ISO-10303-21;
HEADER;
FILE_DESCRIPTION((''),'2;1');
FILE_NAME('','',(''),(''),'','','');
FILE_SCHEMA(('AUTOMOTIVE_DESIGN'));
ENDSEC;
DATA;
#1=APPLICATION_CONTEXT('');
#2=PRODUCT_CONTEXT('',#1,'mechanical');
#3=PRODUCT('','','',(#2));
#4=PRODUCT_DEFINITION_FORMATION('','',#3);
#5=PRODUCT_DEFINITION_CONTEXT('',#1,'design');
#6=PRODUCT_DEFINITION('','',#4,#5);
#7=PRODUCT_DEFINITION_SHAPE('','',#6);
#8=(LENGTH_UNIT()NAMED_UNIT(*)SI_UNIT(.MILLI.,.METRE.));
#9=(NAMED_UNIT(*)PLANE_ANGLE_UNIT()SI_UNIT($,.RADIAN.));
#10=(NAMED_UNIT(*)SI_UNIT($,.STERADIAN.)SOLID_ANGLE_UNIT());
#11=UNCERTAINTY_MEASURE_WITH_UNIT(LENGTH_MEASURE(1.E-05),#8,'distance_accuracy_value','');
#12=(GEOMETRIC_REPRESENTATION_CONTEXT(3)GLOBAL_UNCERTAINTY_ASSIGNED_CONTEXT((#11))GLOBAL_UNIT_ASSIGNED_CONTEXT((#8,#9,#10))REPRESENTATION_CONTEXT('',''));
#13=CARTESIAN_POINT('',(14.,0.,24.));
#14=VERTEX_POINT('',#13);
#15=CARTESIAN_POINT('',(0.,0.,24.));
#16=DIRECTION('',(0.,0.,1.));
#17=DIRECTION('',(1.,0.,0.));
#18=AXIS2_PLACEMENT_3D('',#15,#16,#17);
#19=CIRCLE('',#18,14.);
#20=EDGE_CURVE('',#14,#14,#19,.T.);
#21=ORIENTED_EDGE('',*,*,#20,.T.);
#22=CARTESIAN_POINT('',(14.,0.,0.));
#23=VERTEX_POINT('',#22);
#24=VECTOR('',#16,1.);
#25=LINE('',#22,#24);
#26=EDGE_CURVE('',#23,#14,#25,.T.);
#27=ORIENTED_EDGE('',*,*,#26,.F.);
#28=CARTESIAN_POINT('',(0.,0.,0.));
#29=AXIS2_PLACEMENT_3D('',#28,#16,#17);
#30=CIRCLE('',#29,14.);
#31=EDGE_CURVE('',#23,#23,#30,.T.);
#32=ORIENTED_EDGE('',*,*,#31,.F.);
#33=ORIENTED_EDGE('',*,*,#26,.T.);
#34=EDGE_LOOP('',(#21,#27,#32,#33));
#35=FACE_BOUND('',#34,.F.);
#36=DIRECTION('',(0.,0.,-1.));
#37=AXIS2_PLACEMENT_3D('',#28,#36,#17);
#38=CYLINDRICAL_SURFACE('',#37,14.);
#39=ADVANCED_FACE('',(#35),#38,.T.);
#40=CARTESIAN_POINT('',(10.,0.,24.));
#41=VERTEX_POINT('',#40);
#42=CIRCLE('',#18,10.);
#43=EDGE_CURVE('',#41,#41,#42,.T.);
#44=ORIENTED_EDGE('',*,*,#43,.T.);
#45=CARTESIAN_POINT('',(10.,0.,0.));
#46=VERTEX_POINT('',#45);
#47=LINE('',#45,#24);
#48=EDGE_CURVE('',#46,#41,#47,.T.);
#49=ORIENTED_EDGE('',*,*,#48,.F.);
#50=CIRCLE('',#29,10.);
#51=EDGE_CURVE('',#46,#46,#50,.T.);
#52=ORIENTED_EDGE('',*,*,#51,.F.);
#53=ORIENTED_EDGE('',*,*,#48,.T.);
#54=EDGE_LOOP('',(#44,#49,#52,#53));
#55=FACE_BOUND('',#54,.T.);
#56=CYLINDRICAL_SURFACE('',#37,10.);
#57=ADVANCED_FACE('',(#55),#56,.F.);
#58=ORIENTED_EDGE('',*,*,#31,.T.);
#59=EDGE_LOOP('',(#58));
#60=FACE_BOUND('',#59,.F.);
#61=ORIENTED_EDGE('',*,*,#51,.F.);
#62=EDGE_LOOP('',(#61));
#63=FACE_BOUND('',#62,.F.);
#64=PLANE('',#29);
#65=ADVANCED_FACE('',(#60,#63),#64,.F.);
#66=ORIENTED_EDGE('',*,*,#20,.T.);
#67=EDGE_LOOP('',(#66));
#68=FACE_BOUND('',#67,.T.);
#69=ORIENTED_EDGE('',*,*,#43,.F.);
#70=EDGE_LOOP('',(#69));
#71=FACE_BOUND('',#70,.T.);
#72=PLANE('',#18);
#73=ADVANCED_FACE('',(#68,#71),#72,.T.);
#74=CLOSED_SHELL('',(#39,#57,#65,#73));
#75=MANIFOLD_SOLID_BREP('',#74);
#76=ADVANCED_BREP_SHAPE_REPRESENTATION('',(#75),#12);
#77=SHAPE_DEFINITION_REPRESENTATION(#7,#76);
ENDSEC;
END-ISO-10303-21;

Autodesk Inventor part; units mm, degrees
ref_plane "YZ Plane" through (0, 0, 0) normal (1, 0, 0) x (0, 1, 0)
ref_plane "XZ Plane" through (0, 0, 0) normal (0, 1, 0) x (-1, 0, 0)
ref_plane "XY Plane" through (0, 0, 0) normal (0, 0, 1) x (1, 0, 0)
sketch "Sketch1" plane through (0, 0, 0) normal (0, 0, 1) x (1, 0, 0)
  circle A0 centre (0, 0) radius 14
  circle A1 centre (0, 0) radius 10
  dimension "d0" = 28
  dimension "d1" = 20
extrude "Extrusion1" add sketch "Sketch1" along normal blind 24
properties part number "anilloseparador"
